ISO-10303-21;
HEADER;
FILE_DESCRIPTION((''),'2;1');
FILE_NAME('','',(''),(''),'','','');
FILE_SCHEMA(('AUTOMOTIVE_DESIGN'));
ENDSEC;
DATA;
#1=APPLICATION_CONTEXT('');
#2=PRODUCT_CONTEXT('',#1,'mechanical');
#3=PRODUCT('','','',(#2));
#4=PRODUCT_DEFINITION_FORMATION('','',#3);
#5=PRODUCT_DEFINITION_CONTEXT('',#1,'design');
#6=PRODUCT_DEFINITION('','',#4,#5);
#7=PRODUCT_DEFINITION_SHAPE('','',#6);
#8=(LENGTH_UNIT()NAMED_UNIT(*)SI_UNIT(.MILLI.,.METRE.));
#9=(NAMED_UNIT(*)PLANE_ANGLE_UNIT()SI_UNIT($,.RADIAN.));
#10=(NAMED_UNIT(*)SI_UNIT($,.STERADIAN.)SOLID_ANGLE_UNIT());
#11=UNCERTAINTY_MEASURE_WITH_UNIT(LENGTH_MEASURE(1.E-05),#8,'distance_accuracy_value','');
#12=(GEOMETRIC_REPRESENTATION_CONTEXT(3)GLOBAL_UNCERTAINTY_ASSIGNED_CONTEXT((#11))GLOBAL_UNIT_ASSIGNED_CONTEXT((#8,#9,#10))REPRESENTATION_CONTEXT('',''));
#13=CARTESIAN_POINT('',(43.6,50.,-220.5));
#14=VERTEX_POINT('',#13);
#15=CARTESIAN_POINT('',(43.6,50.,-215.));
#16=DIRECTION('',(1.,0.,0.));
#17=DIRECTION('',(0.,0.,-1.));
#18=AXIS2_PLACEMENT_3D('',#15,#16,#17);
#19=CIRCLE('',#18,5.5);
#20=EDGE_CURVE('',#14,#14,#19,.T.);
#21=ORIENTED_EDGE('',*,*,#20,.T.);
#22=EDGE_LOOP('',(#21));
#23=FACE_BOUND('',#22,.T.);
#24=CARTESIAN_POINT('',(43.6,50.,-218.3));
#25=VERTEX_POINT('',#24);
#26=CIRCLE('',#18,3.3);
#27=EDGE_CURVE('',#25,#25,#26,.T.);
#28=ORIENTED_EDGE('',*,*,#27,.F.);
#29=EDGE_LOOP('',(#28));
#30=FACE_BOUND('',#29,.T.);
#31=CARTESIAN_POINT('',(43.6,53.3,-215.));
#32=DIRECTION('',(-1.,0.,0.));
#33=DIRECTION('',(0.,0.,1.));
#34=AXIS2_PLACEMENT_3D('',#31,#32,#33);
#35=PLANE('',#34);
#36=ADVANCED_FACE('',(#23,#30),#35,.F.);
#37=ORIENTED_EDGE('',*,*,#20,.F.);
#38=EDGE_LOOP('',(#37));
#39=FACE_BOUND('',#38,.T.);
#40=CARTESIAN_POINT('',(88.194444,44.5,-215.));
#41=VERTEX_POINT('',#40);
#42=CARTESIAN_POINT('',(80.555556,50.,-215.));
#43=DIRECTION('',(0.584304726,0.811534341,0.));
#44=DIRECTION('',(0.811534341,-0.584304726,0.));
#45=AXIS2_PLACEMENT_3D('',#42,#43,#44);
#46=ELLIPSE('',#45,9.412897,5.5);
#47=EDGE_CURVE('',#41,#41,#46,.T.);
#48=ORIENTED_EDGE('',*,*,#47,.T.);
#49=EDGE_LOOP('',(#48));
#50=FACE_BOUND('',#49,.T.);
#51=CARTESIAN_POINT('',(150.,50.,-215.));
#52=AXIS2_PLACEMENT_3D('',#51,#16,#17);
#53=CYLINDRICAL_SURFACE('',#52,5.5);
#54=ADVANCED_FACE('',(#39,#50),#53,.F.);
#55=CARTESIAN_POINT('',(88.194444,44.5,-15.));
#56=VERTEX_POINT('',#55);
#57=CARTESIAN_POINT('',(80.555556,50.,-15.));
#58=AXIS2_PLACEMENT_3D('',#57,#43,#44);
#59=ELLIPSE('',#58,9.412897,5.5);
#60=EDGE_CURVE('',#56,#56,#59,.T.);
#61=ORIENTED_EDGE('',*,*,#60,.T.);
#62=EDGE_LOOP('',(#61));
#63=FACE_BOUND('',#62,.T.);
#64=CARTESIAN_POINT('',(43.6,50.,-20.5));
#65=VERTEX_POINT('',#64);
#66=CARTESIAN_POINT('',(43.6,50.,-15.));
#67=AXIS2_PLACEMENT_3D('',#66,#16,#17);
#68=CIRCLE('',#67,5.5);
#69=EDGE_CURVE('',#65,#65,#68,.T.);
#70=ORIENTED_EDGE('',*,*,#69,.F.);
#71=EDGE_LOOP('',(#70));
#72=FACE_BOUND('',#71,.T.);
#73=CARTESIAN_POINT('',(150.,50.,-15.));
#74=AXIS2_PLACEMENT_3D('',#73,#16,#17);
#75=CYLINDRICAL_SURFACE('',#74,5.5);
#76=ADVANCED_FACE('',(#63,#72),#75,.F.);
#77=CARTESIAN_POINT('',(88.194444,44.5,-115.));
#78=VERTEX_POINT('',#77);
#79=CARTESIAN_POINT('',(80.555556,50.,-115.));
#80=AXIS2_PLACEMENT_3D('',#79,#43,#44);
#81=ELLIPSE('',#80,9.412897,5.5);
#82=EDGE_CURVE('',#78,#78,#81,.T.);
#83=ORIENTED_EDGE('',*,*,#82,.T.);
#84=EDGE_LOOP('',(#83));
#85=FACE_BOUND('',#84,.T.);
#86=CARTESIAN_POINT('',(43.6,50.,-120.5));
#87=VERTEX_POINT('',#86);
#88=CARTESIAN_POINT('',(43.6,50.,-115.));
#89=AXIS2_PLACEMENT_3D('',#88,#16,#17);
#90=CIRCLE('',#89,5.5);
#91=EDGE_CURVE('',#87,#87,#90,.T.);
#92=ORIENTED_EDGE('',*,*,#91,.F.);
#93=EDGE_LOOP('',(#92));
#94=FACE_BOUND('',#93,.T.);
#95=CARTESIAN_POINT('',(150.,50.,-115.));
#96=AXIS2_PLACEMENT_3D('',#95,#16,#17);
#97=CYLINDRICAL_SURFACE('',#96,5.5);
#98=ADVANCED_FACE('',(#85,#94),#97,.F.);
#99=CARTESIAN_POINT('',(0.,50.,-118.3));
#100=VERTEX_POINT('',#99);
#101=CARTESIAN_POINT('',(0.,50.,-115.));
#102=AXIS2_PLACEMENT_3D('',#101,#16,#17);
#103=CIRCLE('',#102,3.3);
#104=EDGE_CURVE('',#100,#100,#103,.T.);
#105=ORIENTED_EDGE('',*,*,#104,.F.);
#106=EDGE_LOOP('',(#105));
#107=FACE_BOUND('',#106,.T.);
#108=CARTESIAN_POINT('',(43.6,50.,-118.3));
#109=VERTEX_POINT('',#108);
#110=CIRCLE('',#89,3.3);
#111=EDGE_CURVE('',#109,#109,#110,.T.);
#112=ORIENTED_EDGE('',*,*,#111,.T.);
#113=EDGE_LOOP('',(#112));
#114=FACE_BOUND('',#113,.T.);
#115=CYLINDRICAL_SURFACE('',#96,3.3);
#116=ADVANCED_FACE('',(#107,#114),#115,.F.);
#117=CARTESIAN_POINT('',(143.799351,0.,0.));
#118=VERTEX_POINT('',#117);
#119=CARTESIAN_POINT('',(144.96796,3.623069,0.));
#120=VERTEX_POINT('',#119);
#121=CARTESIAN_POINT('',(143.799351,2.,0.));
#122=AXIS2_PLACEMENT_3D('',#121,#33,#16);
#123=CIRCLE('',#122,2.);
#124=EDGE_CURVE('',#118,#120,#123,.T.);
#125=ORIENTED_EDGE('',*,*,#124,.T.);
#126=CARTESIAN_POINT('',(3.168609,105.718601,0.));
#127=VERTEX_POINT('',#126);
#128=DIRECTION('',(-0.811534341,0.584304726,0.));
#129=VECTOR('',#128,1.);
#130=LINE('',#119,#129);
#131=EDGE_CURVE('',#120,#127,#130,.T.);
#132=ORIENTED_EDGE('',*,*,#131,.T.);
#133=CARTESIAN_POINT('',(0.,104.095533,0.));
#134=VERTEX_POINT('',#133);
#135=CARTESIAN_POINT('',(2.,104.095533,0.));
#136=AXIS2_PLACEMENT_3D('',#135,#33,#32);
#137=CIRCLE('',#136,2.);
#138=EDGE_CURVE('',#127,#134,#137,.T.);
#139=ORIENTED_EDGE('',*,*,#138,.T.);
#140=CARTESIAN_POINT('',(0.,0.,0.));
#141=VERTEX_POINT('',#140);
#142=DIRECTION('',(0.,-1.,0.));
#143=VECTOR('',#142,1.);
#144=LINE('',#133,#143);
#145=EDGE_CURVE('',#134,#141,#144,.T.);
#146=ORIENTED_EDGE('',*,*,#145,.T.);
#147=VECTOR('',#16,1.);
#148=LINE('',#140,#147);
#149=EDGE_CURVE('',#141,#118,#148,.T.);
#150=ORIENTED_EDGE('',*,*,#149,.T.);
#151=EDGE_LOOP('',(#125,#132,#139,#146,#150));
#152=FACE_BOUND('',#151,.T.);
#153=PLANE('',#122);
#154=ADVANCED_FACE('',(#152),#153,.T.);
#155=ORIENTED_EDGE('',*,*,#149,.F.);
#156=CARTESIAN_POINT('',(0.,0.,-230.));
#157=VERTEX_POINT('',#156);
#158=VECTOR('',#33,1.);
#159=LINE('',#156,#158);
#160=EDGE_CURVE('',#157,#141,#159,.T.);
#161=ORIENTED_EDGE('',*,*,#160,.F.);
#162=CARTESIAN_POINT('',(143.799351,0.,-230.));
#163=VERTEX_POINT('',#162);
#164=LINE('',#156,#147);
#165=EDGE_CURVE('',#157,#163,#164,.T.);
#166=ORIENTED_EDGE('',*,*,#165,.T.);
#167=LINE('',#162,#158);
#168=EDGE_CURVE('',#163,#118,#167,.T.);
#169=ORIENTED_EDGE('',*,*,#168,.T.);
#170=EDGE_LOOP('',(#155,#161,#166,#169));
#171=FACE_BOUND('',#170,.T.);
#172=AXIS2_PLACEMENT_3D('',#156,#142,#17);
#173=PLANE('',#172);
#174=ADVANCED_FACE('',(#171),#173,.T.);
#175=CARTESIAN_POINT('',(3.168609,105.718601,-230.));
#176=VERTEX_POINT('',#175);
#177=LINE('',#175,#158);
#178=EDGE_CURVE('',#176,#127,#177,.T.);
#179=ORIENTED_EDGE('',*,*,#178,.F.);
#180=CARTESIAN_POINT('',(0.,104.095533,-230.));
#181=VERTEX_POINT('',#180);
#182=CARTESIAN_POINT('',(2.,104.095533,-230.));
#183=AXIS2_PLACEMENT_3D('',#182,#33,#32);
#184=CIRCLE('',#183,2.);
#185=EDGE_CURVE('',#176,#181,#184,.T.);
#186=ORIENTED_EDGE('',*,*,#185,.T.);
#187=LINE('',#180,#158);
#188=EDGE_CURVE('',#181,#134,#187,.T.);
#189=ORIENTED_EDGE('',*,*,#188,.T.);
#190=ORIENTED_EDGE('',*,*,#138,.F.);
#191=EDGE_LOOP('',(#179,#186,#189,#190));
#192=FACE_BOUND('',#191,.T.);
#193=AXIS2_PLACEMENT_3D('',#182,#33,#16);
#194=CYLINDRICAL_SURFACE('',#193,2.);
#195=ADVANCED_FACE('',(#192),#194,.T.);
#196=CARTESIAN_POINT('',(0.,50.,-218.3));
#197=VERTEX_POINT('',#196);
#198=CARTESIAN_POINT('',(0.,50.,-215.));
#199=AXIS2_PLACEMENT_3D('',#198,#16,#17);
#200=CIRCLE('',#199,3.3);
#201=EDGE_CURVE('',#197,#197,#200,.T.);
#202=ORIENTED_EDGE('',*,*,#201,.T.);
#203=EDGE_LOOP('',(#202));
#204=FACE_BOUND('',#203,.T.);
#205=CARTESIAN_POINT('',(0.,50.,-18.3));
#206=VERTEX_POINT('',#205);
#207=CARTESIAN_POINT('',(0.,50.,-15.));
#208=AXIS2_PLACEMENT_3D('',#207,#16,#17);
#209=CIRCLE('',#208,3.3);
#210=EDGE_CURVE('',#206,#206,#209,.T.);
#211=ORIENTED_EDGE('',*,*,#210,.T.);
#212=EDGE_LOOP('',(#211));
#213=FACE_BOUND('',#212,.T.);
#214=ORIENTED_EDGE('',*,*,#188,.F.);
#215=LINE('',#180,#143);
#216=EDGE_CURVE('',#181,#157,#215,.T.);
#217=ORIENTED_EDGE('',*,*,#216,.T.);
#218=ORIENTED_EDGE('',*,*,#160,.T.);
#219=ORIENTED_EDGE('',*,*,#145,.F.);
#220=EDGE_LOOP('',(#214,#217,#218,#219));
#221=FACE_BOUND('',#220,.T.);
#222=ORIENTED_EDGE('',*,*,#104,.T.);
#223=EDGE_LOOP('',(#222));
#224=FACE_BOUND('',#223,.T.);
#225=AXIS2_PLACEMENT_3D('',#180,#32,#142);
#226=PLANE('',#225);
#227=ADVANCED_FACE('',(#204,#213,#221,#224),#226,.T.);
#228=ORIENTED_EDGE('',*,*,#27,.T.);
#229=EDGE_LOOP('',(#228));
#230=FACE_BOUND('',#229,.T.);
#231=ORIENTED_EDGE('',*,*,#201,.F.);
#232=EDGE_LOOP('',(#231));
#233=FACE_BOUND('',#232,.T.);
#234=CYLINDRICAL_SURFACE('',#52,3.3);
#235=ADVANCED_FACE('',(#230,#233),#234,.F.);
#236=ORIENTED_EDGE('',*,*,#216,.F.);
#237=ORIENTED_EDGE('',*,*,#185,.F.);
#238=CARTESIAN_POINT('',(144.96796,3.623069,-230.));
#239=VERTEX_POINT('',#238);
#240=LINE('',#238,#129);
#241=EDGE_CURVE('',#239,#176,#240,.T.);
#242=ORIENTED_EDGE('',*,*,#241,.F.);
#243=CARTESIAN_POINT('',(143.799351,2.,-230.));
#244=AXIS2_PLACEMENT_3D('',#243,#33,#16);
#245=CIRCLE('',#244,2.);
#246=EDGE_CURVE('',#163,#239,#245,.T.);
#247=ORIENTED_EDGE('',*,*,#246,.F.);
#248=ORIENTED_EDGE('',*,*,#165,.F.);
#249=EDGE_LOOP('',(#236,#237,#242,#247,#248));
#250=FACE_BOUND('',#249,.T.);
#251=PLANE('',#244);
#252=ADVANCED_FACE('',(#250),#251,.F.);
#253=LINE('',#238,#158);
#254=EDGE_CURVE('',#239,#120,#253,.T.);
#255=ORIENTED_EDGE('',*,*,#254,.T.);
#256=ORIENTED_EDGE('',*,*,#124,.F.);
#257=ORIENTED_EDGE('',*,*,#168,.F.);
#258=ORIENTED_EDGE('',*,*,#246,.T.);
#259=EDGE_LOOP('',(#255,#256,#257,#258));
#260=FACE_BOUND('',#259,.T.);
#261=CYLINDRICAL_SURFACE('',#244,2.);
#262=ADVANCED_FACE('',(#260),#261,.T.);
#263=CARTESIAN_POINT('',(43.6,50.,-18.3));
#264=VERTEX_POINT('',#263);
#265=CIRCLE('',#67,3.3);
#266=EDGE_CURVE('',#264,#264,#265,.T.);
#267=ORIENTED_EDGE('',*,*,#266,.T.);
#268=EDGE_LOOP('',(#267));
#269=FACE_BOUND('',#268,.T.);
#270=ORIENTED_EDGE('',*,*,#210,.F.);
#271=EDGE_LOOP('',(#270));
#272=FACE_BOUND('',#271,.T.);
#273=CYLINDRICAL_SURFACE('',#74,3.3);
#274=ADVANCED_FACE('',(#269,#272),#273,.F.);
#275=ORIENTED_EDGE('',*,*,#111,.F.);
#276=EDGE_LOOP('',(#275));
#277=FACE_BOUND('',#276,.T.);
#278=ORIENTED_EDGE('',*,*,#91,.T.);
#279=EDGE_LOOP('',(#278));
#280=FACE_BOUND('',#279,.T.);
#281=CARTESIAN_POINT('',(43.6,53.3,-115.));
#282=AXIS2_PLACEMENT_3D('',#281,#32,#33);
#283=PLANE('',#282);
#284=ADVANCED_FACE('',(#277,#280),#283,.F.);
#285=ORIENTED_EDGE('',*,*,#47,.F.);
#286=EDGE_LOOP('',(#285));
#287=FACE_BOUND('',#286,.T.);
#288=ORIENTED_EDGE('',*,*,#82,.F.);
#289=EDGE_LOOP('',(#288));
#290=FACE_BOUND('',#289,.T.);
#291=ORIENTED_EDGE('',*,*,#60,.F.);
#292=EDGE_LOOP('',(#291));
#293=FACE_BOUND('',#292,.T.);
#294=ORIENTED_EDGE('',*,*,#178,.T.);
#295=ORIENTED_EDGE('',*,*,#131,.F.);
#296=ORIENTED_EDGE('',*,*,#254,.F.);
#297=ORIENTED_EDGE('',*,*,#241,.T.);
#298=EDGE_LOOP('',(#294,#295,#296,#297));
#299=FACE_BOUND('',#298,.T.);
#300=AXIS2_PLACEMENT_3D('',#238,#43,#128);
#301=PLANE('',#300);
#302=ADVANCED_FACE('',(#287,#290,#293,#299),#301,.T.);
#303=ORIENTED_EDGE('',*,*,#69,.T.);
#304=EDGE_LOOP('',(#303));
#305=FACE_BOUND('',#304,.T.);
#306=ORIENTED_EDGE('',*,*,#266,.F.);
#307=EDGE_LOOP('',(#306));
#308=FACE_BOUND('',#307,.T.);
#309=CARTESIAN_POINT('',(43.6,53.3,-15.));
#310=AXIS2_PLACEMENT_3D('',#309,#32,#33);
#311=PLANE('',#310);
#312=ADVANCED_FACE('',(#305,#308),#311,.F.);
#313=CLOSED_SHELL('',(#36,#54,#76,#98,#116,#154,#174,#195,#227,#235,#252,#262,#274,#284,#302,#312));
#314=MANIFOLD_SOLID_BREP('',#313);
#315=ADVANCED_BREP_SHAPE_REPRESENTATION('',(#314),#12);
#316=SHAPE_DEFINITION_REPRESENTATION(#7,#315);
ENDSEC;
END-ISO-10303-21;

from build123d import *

# Parameters (mm, degrees)
AUFSATZ_LINEAR_AUSTRAGEN1_DEPTH                      = 230
STIRNSENKUNG_F_R_M6_ZYLINDERSCHRAUBE_MIT_D           = 6.6
STIRNSENKUNG_F_R_M6_ZYLINDERSCHRAUBE_MIT_CBORE_D     = 11
STIRNSENKUNG_F_R_M6_ZYLINDERSCHRAUBE_MIT_CBORE_DEPTH = 106.4


with BuildPart() as part:
    # Skizze1 → Aufsatz-Linear austragen1 (new body)
    with BuildSketch(Plane.XY):
        with BuildLine():
            Line((0, 104.095532512), (0, 0))
            Line((0, 0), (143.799350711, 0))
            ThreePointArc((143.799350711, 0), (145.702786731, 1.386052676), (144.967960163, 3.623068683))
            Line((144.967960163, 3.623068683), (3.168609452, 105.718601195))
            ThreePointArc((3.168609452, 105.718601195), (1.088193799, 105.875591346), (0, 104.095532512))
        make_face()
    extrude(amount=-AUFSATZ_LINEAR_AUSTRAGEN1_DEPTH)

    # Stirnsenkung für M6 Zylinderschraube mit Innensechskant1 (through all)
    with Locations(Plane(origin=(150, 0, 0), x_dir=(0, 0, -1), z_dir=(1, 0, 0))):
        with Locations((15, 50), (115, 50), (215, 50)):
            CounterBoreHole(STIRNSENKUNG_F_R_M6_ZYLINDERSCHRAUBE_MIT_D / 2, STIRNSENKUNG_F_R_M6_ZYLINDERSCHRAUBE_MIT_CBORE_D / 2, STIRNSENKUNG_F_R_M6_ZYLINDERSCHRAUBE_MIT_CBORE_DEPTH)


solid = part.part
